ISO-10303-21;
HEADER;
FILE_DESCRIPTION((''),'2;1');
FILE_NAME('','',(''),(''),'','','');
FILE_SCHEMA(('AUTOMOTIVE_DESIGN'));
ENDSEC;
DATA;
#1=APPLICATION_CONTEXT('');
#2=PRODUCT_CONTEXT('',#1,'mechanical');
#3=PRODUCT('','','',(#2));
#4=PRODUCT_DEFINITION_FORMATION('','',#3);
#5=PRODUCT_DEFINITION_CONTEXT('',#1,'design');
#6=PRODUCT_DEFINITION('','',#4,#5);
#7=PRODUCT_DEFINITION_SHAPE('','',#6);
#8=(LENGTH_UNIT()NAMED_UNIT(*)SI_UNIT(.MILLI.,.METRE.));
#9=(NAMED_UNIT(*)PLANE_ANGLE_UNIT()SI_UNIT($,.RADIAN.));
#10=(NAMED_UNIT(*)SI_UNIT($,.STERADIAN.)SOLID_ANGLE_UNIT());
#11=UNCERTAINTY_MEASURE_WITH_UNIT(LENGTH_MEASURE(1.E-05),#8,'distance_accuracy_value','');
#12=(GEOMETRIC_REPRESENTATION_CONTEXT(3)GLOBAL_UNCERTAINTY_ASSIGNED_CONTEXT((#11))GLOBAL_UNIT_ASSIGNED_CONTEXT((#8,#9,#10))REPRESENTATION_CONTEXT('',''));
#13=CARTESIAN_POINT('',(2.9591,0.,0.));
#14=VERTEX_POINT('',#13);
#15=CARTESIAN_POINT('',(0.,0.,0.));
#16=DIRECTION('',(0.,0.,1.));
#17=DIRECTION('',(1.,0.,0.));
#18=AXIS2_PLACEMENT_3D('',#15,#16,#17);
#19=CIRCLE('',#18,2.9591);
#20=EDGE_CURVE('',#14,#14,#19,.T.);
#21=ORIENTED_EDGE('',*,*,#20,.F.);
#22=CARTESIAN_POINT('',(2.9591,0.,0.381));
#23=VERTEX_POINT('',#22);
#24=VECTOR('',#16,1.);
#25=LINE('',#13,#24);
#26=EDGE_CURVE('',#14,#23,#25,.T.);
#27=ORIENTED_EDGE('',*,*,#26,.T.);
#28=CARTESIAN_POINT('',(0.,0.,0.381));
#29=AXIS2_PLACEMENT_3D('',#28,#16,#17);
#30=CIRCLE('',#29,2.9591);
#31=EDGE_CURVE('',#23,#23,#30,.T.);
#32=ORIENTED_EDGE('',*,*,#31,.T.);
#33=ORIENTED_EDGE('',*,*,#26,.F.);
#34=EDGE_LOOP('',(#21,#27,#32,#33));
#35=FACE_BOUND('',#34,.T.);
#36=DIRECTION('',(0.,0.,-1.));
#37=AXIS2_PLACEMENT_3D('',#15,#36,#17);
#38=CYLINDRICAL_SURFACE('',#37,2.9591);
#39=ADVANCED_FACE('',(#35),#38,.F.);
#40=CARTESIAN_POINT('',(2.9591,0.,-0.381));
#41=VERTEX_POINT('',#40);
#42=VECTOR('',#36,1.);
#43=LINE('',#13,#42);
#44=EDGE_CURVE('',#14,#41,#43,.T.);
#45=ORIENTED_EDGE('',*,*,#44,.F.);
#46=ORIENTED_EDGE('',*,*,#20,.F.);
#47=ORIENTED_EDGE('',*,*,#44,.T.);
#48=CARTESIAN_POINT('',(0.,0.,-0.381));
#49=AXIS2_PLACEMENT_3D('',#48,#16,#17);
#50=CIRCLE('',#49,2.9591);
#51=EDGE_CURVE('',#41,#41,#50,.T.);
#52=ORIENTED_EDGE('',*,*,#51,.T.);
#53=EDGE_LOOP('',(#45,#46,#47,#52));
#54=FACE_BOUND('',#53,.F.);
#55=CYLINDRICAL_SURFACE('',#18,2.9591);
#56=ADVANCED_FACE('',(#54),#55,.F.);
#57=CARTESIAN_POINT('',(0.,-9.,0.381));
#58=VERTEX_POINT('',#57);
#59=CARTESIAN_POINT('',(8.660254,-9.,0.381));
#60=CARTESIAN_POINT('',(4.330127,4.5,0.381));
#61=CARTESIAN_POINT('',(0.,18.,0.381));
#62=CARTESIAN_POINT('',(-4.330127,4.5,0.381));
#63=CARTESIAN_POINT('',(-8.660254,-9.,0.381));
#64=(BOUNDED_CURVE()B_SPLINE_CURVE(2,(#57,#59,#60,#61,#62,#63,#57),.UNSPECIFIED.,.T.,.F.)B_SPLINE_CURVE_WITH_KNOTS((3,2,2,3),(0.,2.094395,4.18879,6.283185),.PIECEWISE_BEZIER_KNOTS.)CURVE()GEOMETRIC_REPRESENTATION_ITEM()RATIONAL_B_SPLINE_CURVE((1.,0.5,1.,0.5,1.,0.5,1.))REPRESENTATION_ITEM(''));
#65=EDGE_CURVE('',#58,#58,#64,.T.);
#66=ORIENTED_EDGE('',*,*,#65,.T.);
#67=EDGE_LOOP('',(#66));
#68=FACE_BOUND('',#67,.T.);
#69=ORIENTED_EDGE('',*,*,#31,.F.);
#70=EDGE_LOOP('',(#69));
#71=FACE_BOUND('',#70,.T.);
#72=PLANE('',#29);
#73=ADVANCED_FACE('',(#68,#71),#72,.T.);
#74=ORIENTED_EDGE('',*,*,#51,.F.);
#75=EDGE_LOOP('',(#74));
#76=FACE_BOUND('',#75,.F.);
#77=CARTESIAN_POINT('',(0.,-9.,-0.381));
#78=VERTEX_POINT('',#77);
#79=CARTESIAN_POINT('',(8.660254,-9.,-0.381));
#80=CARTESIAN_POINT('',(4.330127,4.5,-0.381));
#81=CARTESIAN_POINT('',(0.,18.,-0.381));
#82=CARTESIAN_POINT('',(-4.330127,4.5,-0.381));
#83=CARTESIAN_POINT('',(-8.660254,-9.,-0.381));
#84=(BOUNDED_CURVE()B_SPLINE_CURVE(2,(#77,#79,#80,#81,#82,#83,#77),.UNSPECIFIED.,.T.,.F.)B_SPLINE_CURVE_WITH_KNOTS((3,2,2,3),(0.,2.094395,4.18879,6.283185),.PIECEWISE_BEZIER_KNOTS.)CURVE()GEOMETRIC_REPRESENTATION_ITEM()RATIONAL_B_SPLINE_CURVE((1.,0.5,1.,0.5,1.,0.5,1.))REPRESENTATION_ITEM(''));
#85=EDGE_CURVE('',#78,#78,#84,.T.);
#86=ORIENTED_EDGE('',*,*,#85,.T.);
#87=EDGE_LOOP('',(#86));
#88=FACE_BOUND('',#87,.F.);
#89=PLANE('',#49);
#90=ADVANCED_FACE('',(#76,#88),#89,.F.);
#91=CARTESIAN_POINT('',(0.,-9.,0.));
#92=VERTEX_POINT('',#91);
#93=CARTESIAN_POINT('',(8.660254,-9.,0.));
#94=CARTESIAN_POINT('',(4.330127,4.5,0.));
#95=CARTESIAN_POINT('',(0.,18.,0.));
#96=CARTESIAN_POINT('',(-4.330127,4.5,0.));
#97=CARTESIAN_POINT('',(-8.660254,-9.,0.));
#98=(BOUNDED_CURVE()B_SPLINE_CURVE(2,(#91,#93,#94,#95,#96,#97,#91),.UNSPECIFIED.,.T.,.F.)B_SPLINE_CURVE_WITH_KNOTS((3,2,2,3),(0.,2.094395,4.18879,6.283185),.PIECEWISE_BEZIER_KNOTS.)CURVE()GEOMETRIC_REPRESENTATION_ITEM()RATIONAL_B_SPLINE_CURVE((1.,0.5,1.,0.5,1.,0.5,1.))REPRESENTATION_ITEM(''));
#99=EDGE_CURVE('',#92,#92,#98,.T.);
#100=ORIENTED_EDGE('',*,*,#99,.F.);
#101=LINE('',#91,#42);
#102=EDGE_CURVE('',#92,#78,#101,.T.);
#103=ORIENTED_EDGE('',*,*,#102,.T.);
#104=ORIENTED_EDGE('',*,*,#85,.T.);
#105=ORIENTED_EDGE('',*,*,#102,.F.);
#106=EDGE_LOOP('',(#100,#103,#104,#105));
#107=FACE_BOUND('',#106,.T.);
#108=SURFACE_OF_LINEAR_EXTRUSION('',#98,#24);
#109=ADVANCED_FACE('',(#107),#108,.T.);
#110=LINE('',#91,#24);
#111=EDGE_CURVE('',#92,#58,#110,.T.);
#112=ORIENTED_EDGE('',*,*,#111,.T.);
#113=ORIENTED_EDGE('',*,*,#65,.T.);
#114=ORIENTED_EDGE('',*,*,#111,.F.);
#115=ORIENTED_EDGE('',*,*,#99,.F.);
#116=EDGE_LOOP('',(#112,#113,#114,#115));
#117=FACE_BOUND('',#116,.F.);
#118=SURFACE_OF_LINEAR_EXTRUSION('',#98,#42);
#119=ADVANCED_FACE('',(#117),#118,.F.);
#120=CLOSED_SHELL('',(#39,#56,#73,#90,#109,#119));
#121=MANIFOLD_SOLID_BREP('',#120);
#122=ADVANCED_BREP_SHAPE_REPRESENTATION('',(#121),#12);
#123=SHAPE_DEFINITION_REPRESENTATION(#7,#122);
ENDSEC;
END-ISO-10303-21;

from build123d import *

# Parameters (mm, degrees)
F0_R     = 2.9591
F1_DEPTH = 0.381


with BuildPart() as f1:
    # F0 (on Top) → F1 (new body, symmetric)
    with BuildSketch(Plane.XY):
        with BuildLine():
            add(Edge.make_bspline(
                [(0, -9), (8.660254, -9), (4.330127, 4.5), (0, 18), (-4.330127, 4.5), (-8.660254, -9), (0, -9)],
                knots=[0, 0, 0, 2.094395, 2.094395, 4.18879, 4.18879, 6.283185, 6.283185, 6.283185], degree=2, weights=[1, 0.5, 1, 0.5, 1, 0.5, 1]))
        make_face()
        Circle(F0_R, mode=Mode.SUBTRACT)
    extrude(amount=F1_DEPTH, both=True)


solid = f1.part
